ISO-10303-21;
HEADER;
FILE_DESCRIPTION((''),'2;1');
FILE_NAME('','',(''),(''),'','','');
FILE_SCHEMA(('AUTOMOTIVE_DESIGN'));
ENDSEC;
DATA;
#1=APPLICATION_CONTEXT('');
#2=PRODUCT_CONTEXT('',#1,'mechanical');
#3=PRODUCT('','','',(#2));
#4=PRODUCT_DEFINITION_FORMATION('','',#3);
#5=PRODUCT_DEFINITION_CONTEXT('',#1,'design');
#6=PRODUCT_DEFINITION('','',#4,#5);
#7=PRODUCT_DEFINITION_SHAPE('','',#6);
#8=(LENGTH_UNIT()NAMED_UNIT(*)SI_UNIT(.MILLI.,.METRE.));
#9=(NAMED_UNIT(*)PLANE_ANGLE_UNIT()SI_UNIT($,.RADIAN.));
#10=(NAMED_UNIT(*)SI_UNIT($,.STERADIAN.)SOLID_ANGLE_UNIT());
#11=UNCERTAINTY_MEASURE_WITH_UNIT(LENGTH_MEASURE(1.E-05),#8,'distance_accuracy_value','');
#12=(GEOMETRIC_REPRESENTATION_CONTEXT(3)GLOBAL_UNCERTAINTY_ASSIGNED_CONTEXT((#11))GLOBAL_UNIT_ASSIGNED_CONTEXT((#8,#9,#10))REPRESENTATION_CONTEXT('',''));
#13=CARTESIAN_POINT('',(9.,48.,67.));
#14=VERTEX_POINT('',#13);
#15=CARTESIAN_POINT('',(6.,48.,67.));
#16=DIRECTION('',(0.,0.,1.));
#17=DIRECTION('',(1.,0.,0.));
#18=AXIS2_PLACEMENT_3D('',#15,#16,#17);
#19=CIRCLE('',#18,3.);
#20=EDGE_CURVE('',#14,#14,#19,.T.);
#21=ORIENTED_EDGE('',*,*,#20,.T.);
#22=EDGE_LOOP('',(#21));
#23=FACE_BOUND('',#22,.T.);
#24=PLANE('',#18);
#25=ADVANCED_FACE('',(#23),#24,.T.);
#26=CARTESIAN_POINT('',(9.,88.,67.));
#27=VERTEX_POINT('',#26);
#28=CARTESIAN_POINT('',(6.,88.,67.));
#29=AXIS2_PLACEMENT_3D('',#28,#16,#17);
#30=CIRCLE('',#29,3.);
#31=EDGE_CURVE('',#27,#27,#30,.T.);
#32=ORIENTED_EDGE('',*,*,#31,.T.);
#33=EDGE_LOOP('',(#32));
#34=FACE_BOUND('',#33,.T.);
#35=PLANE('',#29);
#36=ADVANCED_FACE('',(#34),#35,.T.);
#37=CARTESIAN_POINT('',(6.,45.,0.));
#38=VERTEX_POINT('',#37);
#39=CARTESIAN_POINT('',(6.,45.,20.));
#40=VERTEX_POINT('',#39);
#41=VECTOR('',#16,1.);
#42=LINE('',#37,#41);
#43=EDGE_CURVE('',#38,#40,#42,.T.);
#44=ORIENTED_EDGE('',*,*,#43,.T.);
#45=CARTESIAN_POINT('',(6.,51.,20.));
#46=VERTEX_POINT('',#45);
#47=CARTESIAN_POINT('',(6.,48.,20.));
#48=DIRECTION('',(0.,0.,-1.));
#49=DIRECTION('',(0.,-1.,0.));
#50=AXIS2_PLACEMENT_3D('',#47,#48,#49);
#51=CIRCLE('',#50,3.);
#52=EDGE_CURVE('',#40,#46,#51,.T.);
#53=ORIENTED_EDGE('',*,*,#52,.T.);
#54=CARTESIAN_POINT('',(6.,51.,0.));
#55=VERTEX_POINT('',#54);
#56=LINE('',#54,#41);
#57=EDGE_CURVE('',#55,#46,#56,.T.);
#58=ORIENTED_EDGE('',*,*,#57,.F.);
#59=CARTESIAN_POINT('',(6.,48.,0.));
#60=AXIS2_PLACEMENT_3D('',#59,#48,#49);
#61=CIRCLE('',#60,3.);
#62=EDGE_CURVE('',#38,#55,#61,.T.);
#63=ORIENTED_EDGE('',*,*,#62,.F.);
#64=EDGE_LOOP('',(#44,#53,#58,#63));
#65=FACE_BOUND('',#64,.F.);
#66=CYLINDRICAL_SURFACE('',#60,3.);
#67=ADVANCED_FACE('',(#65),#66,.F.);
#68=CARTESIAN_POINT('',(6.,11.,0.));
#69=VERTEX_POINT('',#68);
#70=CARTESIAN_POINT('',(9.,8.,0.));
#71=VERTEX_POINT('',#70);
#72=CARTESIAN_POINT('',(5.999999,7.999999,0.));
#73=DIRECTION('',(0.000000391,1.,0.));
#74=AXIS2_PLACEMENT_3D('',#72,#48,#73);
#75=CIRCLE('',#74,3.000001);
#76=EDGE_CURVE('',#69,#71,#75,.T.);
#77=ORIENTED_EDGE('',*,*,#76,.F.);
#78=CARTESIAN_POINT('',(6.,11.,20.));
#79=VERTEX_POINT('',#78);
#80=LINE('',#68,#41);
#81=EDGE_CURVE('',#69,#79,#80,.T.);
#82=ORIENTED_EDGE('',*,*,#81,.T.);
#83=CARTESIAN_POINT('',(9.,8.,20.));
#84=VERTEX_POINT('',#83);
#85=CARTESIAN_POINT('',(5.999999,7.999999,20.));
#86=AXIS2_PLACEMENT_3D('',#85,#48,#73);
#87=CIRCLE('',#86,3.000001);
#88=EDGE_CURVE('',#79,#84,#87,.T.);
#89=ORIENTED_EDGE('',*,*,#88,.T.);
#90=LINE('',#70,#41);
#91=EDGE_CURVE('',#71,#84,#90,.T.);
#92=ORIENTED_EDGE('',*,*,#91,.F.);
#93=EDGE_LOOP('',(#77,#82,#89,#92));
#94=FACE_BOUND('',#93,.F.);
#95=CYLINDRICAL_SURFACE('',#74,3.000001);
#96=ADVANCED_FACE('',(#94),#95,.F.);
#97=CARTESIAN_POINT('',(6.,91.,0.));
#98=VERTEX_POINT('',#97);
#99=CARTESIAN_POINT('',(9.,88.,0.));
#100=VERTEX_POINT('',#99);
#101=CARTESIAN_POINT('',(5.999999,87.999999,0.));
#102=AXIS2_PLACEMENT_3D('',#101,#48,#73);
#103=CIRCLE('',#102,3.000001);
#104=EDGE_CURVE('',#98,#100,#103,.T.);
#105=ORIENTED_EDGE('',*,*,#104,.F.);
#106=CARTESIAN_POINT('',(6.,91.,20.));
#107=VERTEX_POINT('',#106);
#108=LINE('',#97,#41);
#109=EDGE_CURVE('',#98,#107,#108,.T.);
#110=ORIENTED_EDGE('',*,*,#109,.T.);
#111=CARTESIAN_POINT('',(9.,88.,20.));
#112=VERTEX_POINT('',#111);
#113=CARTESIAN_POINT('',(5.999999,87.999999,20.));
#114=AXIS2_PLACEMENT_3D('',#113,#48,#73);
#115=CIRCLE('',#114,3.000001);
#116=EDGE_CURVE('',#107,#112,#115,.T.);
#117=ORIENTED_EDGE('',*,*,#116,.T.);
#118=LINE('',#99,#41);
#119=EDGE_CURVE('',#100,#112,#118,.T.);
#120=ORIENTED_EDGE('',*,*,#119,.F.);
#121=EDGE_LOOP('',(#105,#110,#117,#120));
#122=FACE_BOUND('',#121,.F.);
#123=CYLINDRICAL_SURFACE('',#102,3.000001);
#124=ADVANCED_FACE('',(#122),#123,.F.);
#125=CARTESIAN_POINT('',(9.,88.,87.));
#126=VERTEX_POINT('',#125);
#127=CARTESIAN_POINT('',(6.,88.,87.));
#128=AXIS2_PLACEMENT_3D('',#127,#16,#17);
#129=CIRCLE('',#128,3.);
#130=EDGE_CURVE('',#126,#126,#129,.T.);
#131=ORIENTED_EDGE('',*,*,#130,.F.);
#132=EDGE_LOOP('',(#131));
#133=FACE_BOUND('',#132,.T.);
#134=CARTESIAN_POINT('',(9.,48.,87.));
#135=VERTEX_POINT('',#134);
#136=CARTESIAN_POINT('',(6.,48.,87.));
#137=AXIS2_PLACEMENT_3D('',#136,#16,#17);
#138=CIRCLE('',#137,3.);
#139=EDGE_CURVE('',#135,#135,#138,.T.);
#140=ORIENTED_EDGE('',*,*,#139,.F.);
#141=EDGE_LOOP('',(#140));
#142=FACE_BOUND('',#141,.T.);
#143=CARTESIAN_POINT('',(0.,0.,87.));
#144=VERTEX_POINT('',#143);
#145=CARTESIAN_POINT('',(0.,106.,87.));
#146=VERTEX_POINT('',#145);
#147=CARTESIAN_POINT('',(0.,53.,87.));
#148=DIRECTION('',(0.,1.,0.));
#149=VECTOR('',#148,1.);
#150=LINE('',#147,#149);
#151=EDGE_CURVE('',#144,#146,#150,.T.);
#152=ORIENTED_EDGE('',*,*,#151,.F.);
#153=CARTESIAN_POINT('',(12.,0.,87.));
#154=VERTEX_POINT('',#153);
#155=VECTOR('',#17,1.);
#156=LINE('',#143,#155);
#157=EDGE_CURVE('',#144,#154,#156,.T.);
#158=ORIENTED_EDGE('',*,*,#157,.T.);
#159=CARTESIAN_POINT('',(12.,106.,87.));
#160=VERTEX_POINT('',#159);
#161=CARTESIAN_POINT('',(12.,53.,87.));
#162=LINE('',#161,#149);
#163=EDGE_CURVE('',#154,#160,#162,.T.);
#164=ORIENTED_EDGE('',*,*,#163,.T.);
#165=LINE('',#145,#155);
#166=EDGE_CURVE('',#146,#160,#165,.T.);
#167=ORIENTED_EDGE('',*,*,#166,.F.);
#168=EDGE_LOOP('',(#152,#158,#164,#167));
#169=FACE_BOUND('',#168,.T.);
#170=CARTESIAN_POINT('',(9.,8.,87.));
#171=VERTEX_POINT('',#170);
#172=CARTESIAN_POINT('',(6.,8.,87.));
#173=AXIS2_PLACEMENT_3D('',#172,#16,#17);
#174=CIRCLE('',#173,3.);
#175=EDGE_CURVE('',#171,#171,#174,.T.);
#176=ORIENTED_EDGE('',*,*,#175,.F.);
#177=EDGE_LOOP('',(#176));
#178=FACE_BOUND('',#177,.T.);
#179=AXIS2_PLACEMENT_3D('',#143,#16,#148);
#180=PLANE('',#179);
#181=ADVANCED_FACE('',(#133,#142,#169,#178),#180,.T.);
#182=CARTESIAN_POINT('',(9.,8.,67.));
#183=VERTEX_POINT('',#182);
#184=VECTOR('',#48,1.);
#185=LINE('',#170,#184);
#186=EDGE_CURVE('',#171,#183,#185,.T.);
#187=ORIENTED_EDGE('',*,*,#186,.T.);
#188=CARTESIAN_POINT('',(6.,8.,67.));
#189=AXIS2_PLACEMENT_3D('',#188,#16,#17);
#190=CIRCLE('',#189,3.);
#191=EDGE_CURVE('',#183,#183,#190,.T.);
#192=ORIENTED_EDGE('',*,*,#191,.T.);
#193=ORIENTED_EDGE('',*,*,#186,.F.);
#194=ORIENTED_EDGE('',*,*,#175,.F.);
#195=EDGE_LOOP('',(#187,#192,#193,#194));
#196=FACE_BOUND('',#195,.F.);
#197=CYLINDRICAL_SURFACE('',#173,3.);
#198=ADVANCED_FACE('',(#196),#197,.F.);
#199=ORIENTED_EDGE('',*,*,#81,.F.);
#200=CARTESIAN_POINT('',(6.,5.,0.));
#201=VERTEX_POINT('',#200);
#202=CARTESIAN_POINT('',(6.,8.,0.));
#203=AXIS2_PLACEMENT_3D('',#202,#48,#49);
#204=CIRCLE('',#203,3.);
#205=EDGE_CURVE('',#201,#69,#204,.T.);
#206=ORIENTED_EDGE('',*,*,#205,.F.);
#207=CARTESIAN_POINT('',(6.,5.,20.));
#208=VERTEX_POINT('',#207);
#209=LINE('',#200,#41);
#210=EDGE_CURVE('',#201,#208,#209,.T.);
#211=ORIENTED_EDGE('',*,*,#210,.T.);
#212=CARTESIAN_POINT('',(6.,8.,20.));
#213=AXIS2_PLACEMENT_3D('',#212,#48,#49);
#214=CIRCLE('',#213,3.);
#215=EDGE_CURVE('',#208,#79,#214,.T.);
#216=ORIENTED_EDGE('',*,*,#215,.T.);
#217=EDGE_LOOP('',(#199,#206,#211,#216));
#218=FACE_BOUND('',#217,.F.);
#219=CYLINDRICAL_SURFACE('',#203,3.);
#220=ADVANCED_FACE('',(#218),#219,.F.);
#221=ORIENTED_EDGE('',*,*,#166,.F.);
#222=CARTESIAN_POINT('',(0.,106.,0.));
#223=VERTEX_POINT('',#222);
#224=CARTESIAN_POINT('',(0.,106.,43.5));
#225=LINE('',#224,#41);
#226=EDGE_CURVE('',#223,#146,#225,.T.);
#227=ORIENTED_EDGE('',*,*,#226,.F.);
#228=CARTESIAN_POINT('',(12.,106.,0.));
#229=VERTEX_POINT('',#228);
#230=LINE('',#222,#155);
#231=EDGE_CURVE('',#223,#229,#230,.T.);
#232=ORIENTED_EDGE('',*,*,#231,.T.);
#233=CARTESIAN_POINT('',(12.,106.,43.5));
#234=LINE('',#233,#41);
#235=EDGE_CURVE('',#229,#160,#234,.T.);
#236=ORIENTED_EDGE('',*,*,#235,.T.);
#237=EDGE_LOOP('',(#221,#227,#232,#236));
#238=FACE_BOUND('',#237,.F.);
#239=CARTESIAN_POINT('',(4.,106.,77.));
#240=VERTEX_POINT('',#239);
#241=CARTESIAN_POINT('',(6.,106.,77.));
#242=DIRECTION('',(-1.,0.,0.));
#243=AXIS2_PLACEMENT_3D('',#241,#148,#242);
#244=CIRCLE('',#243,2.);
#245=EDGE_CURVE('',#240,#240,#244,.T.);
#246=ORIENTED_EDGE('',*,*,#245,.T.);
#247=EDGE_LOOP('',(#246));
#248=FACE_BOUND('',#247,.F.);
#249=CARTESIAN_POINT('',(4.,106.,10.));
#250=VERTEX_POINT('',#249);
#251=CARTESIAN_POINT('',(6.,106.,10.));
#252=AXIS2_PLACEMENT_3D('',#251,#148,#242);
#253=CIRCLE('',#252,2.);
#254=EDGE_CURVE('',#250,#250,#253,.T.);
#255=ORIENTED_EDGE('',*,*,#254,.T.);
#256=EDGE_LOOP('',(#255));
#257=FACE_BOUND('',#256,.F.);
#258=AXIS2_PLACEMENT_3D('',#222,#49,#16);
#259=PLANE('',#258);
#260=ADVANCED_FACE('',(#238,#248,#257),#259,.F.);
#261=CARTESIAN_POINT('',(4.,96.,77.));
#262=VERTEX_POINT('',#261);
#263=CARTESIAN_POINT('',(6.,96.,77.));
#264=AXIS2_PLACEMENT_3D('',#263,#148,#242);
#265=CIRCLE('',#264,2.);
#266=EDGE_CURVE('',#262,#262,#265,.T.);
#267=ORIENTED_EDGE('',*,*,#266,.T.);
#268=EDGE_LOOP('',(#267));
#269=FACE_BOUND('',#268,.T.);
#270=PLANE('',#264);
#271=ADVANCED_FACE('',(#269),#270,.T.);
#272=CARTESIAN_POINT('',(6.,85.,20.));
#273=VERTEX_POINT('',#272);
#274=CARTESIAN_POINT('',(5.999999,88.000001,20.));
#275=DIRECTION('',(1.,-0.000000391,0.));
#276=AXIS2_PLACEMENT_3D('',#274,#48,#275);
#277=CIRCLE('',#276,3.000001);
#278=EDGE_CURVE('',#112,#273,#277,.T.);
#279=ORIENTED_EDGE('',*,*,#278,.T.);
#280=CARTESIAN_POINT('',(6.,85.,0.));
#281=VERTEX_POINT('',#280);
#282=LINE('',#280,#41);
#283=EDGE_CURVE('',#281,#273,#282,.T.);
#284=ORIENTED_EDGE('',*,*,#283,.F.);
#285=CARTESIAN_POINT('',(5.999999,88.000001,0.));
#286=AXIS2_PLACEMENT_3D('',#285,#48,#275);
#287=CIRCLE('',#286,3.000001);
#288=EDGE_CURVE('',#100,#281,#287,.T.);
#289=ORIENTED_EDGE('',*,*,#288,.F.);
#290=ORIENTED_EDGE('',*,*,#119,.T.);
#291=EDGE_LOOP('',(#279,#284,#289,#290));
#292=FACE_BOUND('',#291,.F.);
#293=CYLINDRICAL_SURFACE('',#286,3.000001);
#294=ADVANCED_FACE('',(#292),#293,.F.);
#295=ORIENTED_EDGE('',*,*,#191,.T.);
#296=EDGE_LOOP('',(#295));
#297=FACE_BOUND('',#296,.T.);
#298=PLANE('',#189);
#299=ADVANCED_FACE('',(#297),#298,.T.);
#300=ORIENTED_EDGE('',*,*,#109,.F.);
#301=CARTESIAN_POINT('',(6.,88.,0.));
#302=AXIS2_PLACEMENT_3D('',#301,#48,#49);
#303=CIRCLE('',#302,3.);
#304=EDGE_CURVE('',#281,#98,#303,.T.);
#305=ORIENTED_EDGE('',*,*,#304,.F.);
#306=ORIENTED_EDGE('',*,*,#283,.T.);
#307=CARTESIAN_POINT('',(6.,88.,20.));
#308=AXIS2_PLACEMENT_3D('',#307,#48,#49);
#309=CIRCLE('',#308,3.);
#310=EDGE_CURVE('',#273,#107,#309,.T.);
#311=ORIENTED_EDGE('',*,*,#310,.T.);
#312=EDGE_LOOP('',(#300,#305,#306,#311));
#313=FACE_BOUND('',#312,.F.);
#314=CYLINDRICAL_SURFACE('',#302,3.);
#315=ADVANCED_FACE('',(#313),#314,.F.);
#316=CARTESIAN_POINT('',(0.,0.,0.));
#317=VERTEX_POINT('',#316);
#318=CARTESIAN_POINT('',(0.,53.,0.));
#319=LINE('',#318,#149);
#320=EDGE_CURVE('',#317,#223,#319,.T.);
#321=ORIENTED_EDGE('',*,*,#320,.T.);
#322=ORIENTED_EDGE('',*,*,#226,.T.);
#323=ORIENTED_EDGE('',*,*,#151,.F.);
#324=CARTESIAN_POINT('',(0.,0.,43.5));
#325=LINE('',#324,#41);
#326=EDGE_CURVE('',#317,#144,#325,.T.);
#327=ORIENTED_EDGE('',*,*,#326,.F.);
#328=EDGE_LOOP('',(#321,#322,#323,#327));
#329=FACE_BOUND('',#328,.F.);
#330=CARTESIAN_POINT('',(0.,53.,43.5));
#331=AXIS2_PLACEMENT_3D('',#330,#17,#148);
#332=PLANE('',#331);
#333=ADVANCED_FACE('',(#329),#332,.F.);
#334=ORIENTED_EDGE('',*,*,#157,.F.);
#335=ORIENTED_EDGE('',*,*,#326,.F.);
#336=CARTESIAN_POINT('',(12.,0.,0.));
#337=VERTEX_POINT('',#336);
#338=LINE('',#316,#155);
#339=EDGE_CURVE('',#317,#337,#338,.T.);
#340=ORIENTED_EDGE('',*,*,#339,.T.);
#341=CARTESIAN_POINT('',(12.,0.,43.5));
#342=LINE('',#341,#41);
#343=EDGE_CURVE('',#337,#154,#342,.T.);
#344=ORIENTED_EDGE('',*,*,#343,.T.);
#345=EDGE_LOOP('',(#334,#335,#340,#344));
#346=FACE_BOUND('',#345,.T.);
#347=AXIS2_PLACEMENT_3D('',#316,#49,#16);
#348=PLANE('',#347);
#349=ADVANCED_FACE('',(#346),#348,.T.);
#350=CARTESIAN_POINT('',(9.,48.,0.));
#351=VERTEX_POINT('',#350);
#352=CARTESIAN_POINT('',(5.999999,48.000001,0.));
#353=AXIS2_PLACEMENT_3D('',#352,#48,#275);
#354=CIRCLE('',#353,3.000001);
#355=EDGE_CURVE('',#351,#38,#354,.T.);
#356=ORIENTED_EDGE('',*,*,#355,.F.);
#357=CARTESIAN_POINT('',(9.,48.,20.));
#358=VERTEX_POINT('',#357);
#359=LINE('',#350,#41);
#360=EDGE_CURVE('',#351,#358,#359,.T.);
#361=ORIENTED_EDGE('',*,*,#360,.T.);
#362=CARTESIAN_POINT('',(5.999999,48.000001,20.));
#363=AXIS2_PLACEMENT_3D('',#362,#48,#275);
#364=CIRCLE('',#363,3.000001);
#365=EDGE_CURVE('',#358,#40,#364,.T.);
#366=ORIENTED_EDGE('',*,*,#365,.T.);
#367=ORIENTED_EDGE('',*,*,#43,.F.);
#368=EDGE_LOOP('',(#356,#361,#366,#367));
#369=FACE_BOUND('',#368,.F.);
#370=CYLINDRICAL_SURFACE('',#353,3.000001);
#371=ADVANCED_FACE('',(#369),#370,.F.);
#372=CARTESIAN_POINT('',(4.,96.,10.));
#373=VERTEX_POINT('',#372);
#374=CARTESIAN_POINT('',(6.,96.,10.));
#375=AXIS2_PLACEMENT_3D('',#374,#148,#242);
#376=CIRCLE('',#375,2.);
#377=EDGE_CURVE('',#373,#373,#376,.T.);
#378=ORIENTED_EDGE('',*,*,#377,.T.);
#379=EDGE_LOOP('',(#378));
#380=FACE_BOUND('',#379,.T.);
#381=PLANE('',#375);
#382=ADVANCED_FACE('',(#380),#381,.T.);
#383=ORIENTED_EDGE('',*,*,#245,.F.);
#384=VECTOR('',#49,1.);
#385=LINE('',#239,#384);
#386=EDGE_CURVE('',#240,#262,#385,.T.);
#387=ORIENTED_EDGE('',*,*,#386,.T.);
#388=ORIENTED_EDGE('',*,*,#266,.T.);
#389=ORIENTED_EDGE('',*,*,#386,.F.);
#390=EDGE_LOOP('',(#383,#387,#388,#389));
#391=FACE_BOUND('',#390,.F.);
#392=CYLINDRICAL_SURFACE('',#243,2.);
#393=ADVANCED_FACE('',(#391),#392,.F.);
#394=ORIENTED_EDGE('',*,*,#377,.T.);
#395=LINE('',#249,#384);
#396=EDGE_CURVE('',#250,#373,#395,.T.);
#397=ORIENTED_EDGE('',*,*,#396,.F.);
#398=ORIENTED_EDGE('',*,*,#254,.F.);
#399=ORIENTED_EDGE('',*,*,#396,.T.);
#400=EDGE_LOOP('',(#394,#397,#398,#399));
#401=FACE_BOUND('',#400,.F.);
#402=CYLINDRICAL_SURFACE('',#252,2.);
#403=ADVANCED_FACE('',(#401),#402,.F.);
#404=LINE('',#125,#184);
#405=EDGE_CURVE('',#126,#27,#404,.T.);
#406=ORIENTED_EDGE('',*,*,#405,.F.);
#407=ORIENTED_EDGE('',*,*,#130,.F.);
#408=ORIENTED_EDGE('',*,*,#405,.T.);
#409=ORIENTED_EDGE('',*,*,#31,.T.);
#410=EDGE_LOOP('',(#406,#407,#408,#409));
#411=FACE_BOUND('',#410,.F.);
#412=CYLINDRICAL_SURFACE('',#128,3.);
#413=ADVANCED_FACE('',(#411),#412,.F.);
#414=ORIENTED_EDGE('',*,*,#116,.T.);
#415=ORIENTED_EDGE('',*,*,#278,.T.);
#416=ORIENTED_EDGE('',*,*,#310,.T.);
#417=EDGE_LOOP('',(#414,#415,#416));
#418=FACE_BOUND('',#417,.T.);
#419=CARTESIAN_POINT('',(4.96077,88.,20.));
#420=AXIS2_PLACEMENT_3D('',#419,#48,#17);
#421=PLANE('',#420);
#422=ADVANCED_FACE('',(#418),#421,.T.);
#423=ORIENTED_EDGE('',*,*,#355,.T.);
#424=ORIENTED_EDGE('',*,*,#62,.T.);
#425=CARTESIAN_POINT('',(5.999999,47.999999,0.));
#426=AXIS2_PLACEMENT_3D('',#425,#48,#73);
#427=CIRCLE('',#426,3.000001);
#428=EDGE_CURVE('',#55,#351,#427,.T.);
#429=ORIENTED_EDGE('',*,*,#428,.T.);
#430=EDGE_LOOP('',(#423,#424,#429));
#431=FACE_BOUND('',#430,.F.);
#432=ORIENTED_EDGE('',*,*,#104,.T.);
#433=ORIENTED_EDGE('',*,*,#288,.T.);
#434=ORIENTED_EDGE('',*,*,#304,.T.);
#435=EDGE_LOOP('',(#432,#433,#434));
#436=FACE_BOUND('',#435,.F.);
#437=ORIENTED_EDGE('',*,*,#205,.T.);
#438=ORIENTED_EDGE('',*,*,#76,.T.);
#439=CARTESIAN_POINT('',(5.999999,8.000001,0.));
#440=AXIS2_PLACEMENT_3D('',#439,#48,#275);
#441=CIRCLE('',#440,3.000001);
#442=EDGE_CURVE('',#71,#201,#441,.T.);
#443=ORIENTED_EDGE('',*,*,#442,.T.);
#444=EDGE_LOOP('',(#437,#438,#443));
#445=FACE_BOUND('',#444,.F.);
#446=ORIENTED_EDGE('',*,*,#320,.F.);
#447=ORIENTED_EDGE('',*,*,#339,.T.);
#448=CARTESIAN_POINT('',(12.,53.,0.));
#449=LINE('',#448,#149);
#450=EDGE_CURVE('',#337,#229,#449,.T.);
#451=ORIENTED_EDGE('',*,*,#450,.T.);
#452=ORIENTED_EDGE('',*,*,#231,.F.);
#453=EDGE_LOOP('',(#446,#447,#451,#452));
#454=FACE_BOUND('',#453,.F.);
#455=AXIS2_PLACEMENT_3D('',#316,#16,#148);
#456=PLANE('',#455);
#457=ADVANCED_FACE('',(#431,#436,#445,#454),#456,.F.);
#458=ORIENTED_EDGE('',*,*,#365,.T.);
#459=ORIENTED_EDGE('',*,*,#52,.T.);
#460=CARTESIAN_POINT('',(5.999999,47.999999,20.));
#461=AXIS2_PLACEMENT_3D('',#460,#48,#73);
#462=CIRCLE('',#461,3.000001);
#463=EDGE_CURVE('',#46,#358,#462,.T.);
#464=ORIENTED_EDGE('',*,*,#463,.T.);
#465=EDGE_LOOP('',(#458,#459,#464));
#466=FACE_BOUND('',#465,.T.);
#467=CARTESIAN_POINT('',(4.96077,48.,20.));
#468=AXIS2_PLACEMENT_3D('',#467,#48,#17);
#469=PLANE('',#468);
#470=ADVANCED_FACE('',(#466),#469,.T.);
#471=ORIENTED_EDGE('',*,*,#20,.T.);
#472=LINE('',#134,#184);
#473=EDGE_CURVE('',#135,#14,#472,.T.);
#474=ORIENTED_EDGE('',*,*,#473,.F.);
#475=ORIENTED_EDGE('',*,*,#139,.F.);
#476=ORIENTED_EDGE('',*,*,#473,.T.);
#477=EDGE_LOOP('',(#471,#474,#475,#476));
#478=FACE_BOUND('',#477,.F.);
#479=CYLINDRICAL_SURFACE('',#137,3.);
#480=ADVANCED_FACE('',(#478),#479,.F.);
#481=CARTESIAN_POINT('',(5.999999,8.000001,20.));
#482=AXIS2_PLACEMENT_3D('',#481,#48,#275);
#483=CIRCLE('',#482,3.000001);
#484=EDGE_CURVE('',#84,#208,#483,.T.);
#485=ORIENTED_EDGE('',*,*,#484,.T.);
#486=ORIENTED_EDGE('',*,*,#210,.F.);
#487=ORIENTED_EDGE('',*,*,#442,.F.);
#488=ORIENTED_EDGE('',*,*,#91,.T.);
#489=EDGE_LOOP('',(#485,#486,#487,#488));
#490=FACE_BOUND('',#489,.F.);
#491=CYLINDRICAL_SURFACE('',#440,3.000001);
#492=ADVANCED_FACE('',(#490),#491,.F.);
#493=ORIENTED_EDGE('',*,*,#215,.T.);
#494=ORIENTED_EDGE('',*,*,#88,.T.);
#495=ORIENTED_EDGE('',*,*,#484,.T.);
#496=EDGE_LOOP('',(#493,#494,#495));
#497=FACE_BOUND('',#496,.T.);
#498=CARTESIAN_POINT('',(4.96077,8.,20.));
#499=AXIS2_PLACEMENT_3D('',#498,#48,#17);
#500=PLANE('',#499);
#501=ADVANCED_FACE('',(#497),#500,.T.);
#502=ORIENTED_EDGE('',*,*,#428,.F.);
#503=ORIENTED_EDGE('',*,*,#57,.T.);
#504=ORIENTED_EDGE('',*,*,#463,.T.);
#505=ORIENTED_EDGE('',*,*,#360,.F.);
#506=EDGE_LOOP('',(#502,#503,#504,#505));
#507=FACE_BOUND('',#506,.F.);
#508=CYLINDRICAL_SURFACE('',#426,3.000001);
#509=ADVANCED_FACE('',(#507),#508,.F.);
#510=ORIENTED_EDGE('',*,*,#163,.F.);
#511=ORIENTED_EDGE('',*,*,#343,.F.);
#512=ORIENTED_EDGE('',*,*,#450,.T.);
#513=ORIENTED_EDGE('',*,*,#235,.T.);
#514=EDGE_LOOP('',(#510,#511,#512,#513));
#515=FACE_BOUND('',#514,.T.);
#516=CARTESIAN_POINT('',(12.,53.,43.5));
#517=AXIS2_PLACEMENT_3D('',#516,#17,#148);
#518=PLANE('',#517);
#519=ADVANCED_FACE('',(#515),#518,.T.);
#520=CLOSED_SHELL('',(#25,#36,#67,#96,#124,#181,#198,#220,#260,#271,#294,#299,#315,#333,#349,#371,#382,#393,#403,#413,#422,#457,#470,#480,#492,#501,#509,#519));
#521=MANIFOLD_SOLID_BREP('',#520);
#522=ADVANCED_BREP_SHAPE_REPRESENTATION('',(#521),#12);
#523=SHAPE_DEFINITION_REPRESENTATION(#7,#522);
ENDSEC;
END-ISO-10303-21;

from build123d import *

# Parameters (mm, degrees)
F0_W     = 106
F0_H     = 87
F1_DEPTH = 12
F2_R     = 3
F3_DEPTH = 20
F5_DEPTH = 20
F6_DEPTH = 20
F7_R     = 2
F8_DEPTH = 10


with BuildPart() as f1:
    # F0 (on Right) → F1 (new body)
    with BuildSketch(Plane.YZ):
        with Locations((53, 43.5)):
            Rectangle(F0_W, F0_H)
    extrude(amount=F1_DEPTH)

    # F2 (on face) → F3 (cut)
    with BuildSketch(Plane.XY.offset(87)):
        with Locations((6, 88)):
            Circle(F2_R)
        with Locations((6, 48)):
            Circle(F2_R)
        with Locations((6, 8)):
            Circle(F2_R)
    extrude(amount=-F3_DEPTH, mode=Mode.SUBTRACT)

    # F2 (on face) → F5 (cut)
    with BuildSketch(Plane.XY.offset(87)):
        with Locations((6, 88)):
            Circle(F2_R)
        with Locations((6, 48)):
            Circle(F2_R)
        with Locations((6, 8)):
            Circle(F2_R)
    extrude(amount=-F5_DEPTH, mode=Mode.SUBTRACT)

    # F4 (on face) → F6 (cut)
    with BuildSketch(Plane(origin=(0, 0, 0), x_dir=(1, 0, 0), z_dir=(0, 0, -1))):
        with BuildLine():
            ThreePointArc((6, -85), (3, -88), (6, -91))
            Line((6, -91), (6, -88))
            Line((6, -88), (6, -85))
        make_face()
        with BuildLine():
            ThreePointArc((6, -5), (3, -8), (6, -11))
            Line((6, -11), (6, -5))
        make_face()
        with BuildLine():
            Line((6, -5), (6, -11))
            ThreePointArc((6, -11), (8.12132, -10.12132), (9, -8))
            ThreePointArc((9, -8), (8.12132, -5.87868), (6, -5))
        make_face()
        with BuildLine():
            ThreePointArc((6, -45), (3, -48), (6, -51))
            Line((6, -51), (6, -48))
            Line((6, -48), (6, -45))
        make_face()
        with BuildLine():
            Line((6, -48), (6, -51))
            ThreePointArc((6, -51), (8.12132, -50.12132), (9, -48))
            ThreePointArc((9, -48), (8.12132, -45.87868), (6, -45))
            Line((6, -45), (6, -48))
        make_face()
        with BuildLine():
            Line((6, -88), (6, -91))
            ThreePointArc((6, -91), (8.12132, -90.12132), (9, -88))
            Line((9, -88), (6, -88))
        make_face()
        with BuildLine():
            Line((6, -85), (6, -88))
            Line((6, -88), (9, -88))
            ThreePointArc((9, -88), (8.12132, -85.87868), (6, -85))
        make_face()
    extrude(amount=-F6_DEPTH, mode=Mode.SUBTRACT)

    # F7 (on face) → F8 (cut)
    with BuildSketch(Plane(origin=(0, 106, 0), x_dir=(-1, 0, 0), z_dir=(0, 1, 0))):
        with Locations((-6, 77)):
            Circle(F7_R)
        with Locations((-6, 10)):
            Circle(F7_R)
    extrude(amount=-F8_DEPTH, mode=Mode.SUBTRACT)


solid = f1.part
